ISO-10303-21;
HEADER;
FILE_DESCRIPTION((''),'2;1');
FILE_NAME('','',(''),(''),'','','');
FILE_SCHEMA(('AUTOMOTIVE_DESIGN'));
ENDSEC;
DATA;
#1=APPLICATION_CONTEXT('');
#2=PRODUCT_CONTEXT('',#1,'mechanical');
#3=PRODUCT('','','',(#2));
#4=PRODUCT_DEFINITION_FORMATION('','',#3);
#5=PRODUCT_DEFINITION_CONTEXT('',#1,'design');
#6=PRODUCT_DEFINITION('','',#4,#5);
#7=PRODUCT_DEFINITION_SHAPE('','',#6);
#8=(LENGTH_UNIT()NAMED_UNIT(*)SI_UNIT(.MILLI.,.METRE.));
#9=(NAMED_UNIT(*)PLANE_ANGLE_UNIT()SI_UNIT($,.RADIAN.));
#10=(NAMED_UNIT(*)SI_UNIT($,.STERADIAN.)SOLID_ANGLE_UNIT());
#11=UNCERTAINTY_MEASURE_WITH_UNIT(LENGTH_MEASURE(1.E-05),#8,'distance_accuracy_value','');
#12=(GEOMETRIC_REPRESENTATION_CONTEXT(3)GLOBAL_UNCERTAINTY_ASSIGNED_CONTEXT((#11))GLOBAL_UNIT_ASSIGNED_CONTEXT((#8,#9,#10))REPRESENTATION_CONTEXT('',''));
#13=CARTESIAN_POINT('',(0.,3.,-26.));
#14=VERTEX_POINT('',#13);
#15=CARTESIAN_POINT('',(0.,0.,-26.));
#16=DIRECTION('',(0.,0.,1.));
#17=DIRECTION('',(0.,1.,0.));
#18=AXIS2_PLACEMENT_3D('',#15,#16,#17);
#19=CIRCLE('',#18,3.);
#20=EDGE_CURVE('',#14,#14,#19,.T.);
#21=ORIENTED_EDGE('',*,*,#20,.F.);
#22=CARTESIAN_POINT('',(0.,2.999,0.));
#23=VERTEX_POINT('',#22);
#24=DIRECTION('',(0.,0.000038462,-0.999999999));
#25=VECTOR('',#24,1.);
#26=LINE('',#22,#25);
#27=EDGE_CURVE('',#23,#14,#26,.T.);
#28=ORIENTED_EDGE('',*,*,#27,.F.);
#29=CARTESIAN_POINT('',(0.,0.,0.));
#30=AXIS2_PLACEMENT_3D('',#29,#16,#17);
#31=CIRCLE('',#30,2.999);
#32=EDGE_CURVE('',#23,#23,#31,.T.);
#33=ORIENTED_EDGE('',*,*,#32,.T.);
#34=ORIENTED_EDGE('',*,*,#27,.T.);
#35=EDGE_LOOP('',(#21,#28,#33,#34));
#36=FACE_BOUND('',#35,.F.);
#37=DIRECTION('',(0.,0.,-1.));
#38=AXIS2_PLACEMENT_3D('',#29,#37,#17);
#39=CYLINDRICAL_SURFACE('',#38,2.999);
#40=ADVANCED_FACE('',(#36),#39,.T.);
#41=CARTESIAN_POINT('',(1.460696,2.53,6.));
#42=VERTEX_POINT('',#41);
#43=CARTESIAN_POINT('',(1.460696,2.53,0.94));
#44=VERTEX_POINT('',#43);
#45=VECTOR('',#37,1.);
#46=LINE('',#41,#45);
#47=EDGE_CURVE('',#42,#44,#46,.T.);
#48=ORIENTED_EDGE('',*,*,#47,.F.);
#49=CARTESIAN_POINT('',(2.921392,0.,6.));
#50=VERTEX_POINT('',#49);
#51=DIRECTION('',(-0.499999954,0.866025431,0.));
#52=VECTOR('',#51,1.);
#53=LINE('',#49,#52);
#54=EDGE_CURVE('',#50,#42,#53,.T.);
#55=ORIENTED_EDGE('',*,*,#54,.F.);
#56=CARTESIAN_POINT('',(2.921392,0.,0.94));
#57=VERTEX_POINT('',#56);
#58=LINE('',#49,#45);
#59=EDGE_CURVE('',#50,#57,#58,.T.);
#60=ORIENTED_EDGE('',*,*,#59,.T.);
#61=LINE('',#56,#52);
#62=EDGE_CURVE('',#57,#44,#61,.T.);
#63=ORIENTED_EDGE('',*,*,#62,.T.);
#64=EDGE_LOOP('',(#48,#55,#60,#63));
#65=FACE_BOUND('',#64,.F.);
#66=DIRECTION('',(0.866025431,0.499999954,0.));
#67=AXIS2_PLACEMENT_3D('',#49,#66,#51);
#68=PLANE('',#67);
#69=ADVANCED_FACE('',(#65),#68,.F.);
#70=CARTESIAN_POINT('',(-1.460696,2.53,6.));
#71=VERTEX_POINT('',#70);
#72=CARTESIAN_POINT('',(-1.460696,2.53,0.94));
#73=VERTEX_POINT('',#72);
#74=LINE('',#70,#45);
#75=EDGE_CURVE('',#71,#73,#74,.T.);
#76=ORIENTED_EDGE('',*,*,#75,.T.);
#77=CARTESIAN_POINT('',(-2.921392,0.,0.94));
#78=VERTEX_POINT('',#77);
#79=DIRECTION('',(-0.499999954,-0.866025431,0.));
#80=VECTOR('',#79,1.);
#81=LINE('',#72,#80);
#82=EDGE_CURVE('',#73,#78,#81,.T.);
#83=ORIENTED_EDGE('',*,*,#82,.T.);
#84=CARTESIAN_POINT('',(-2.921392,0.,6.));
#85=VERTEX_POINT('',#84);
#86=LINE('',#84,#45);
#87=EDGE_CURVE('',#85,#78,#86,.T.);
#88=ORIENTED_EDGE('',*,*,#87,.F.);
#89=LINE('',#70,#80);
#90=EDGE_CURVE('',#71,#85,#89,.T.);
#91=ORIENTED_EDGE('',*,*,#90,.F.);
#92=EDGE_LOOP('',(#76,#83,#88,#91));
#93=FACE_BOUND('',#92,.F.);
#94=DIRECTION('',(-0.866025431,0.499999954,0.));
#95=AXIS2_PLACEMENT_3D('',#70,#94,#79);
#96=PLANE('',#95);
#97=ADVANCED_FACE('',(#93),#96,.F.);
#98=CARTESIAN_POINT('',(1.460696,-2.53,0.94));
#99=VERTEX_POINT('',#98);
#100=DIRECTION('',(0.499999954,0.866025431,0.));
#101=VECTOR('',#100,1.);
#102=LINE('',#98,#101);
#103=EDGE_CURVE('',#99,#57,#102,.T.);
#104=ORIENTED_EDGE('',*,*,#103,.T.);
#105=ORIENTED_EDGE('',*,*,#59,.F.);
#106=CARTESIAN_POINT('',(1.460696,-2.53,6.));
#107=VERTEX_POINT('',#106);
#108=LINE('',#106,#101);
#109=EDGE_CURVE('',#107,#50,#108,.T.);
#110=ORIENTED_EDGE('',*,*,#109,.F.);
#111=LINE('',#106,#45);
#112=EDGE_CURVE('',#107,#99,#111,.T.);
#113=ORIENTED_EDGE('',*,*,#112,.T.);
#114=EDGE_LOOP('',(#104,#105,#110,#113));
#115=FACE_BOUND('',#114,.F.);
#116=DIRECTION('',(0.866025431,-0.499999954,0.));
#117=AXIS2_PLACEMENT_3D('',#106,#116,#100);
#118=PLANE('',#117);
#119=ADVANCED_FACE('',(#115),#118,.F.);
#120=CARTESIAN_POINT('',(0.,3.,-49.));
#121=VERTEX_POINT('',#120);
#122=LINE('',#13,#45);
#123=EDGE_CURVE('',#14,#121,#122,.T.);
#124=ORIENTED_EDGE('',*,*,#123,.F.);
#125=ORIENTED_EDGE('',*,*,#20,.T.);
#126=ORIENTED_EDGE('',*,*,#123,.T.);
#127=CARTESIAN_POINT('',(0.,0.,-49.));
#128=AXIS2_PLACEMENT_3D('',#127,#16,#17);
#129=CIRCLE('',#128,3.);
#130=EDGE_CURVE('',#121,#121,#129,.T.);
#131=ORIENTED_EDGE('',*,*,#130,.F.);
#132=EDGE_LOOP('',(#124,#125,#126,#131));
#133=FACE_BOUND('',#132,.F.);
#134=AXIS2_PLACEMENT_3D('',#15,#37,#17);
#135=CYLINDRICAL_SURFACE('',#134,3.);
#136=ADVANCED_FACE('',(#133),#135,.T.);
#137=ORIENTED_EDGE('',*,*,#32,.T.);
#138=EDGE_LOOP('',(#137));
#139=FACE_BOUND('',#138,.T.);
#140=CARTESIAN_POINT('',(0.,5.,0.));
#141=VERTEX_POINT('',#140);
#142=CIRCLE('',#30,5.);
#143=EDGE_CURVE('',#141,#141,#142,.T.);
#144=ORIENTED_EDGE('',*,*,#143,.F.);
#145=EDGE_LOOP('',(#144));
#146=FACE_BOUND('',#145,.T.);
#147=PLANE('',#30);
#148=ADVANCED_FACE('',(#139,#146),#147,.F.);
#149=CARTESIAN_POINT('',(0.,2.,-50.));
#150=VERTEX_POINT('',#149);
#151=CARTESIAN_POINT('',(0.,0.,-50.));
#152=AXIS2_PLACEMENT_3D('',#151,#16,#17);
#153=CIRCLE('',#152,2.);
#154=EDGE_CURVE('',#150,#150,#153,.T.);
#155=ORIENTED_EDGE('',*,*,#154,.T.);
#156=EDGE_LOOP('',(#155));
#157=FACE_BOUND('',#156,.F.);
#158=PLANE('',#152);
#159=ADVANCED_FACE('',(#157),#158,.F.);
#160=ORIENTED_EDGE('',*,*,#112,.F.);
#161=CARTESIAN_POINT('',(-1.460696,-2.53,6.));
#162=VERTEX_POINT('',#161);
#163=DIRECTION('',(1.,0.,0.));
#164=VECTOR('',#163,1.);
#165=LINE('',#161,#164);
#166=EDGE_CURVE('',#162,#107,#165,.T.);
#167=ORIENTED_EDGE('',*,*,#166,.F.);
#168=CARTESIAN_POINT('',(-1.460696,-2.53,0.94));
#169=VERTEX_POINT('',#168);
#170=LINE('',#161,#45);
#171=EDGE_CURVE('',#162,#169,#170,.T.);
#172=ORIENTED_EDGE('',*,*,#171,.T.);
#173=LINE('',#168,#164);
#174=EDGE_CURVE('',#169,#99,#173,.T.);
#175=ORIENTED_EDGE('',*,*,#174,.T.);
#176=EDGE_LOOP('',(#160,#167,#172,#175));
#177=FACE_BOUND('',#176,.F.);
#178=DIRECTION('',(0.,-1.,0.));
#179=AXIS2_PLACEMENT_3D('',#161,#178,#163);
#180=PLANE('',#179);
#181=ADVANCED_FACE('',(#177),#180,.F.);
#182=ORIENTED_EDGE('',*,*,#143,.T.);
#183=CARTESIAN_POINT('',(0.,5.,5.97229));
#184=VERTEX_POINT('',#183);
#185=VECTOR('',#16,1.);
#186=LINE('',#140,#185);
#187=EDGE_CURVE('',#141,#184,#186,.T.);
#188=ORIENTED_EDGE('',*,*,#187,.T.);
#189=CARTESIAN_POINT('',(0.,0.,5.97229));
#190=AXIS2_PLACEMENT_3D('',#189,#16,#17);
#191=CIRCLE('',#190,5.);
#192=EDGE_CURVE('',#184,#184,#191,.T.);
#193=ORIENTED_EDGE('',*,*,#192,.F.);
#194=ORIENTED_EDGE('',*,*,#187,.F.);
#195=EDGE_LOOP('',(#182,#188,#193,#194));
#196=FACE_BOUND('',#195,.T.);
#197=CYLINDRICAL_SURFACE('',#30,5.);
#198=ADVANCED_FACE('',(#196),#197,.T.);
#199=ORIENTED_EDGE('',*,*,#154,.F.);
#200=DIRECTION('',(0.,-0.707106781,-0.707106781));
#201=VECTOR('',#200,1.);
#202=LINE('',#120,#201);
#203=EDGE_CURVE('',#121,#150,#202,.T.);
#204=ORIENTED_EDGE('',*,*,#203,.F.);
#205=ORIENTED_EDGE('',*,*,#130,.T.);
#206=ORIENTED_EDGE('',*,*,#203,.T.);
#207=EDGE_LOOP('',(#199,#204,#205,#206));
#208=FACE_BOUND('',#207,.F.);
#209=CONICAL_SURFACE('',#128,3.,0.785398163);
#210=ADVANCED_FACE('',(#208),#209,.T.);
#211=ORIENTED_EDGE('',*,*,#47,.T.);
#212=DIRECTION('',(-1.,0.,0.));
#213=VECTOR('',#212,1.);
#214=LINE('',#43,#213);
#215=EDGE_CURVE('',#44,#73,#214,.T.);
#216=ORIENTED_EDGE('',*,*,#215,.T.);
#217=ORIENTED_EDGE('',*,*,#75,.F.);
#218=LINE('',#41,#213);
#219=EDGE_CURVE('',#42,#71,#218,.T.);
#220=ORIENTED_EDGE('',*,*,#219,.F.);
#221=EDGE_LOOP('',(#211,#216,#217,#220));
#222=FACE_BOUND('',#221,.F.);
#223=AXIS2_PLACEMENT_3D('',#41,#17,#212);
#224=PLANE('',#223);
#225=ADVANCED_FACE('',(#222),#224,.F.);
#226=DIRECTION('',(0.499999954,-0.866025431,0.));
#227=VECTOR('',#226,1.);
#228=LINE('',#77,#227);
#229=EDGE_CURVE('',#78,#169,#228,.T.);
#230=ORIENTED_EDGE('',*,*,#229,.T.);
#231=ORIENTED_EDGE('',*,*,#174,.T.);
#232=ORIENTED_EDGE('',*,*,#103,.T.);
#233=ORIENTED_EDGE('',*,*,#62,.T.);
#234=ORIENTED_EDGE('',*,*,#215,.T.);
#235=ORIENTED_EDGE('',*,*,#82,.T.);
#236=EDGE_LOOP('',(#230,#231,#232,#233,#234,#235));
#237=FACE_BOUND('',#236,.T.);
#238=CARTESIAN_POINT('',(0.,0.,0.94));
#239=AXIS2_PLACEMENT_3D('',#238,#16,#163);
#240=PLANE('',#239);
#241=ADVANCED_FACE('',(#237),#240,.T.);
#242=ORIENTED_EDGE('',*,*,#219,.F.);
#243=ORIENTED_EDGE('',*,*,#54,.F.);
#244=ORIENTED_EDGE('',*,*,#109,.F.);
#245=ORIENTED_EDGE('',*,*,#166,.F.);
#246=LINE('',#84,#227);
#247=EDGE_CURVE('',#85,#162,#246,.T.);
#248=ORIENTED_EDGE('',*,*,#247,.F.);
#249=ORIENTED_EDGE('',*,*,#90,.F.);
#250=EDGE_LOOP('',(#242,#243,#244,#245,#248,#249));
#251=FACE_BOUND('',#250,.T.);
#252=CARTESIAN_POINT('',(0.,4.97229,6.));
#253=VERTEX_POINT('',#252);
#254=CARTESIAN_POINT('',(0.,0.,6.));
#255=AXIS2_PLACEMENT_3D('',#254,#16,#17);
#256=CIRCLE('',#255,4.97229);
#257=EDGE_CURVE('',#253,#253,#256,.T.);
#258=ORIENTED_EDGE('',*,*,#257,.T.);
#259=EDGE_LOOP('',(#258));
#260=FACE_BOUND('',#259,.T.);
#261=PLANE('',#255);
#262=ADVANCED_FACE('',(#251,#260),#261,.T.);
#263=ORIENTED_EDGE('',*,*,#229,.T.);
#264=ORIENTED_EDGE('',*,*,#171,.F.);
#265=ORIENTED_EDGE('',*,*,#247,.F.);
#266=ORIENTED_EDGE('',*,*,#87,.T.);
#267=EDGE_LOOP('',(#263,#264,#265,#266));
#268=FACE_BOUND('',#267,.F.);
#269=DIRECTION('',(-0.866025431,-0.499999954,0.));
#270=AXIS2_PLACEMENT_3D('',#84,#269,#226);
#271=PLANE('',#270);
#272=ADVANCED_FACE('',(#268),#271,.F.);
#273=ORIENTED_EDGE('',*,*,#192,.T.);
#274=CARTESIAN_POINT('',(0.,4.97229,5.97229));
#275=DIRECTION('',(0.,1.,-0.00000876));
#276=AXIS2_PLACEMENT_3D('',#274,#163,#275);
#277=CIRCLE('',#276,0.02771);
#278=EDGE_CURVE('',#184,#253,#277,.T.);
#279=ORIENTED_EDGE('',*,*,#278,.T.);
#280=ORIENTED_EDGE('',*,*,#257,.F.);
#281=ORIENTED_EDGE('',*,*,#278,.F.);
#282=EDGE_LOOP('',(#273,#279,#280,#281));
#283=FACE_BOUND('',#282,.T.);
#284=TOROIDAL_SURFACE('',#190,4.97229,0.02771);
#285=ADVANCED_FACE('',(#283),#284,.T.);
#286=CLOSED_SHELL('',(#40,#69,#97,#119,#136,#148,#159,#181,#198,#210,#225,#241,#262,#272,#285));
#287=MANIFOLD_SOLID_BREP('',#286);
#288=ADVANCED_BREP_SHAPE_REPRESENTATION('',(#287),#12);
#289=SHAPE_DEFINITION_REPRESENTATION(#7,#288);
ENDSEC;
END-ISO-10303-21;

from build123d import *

# Parameters (mm, degrees)
POCKET_DEPTH = 5.06


with BuildPart() as part:
    # Sketch → Revolve (revolve)
    with BuildSketch(Plane.YZ):
        with BuildLine():
            Line((2.999, 0), (5, 0))
            Line((5, 0), (5, 5.97229))
            ThreePointArc((5, 5.97229), (4.991884, 5.991884), (4.97229, 6))
            Line((4.97229, 6), (0, 6))
            Line((0, -50), (0, 6))
            Line((2, -50), (0, -50))
            Line((3, -49), (2, -50))
            Line((3, -26), (3, -49))
            Line((2.999, 0), (3, -26))
        make_face()
    revolve(axis=Axis((0, 0, 0), (0, 0, 1)))

    # Sketch001 → Pocket (cut)
    with BuildSketch(Plane.XY.offset(6)):
        Polygon((2.921392, 0), (1.460696, 2.53), (-1.460696, 2.53), (-2.921392, 0), (-1.460696, -2.53), (1.460696, -2.53), align=None)
    extrude(amount=-POCKET_DEPTH, mode=Mode.SUBTRACT)


solid = part.part
